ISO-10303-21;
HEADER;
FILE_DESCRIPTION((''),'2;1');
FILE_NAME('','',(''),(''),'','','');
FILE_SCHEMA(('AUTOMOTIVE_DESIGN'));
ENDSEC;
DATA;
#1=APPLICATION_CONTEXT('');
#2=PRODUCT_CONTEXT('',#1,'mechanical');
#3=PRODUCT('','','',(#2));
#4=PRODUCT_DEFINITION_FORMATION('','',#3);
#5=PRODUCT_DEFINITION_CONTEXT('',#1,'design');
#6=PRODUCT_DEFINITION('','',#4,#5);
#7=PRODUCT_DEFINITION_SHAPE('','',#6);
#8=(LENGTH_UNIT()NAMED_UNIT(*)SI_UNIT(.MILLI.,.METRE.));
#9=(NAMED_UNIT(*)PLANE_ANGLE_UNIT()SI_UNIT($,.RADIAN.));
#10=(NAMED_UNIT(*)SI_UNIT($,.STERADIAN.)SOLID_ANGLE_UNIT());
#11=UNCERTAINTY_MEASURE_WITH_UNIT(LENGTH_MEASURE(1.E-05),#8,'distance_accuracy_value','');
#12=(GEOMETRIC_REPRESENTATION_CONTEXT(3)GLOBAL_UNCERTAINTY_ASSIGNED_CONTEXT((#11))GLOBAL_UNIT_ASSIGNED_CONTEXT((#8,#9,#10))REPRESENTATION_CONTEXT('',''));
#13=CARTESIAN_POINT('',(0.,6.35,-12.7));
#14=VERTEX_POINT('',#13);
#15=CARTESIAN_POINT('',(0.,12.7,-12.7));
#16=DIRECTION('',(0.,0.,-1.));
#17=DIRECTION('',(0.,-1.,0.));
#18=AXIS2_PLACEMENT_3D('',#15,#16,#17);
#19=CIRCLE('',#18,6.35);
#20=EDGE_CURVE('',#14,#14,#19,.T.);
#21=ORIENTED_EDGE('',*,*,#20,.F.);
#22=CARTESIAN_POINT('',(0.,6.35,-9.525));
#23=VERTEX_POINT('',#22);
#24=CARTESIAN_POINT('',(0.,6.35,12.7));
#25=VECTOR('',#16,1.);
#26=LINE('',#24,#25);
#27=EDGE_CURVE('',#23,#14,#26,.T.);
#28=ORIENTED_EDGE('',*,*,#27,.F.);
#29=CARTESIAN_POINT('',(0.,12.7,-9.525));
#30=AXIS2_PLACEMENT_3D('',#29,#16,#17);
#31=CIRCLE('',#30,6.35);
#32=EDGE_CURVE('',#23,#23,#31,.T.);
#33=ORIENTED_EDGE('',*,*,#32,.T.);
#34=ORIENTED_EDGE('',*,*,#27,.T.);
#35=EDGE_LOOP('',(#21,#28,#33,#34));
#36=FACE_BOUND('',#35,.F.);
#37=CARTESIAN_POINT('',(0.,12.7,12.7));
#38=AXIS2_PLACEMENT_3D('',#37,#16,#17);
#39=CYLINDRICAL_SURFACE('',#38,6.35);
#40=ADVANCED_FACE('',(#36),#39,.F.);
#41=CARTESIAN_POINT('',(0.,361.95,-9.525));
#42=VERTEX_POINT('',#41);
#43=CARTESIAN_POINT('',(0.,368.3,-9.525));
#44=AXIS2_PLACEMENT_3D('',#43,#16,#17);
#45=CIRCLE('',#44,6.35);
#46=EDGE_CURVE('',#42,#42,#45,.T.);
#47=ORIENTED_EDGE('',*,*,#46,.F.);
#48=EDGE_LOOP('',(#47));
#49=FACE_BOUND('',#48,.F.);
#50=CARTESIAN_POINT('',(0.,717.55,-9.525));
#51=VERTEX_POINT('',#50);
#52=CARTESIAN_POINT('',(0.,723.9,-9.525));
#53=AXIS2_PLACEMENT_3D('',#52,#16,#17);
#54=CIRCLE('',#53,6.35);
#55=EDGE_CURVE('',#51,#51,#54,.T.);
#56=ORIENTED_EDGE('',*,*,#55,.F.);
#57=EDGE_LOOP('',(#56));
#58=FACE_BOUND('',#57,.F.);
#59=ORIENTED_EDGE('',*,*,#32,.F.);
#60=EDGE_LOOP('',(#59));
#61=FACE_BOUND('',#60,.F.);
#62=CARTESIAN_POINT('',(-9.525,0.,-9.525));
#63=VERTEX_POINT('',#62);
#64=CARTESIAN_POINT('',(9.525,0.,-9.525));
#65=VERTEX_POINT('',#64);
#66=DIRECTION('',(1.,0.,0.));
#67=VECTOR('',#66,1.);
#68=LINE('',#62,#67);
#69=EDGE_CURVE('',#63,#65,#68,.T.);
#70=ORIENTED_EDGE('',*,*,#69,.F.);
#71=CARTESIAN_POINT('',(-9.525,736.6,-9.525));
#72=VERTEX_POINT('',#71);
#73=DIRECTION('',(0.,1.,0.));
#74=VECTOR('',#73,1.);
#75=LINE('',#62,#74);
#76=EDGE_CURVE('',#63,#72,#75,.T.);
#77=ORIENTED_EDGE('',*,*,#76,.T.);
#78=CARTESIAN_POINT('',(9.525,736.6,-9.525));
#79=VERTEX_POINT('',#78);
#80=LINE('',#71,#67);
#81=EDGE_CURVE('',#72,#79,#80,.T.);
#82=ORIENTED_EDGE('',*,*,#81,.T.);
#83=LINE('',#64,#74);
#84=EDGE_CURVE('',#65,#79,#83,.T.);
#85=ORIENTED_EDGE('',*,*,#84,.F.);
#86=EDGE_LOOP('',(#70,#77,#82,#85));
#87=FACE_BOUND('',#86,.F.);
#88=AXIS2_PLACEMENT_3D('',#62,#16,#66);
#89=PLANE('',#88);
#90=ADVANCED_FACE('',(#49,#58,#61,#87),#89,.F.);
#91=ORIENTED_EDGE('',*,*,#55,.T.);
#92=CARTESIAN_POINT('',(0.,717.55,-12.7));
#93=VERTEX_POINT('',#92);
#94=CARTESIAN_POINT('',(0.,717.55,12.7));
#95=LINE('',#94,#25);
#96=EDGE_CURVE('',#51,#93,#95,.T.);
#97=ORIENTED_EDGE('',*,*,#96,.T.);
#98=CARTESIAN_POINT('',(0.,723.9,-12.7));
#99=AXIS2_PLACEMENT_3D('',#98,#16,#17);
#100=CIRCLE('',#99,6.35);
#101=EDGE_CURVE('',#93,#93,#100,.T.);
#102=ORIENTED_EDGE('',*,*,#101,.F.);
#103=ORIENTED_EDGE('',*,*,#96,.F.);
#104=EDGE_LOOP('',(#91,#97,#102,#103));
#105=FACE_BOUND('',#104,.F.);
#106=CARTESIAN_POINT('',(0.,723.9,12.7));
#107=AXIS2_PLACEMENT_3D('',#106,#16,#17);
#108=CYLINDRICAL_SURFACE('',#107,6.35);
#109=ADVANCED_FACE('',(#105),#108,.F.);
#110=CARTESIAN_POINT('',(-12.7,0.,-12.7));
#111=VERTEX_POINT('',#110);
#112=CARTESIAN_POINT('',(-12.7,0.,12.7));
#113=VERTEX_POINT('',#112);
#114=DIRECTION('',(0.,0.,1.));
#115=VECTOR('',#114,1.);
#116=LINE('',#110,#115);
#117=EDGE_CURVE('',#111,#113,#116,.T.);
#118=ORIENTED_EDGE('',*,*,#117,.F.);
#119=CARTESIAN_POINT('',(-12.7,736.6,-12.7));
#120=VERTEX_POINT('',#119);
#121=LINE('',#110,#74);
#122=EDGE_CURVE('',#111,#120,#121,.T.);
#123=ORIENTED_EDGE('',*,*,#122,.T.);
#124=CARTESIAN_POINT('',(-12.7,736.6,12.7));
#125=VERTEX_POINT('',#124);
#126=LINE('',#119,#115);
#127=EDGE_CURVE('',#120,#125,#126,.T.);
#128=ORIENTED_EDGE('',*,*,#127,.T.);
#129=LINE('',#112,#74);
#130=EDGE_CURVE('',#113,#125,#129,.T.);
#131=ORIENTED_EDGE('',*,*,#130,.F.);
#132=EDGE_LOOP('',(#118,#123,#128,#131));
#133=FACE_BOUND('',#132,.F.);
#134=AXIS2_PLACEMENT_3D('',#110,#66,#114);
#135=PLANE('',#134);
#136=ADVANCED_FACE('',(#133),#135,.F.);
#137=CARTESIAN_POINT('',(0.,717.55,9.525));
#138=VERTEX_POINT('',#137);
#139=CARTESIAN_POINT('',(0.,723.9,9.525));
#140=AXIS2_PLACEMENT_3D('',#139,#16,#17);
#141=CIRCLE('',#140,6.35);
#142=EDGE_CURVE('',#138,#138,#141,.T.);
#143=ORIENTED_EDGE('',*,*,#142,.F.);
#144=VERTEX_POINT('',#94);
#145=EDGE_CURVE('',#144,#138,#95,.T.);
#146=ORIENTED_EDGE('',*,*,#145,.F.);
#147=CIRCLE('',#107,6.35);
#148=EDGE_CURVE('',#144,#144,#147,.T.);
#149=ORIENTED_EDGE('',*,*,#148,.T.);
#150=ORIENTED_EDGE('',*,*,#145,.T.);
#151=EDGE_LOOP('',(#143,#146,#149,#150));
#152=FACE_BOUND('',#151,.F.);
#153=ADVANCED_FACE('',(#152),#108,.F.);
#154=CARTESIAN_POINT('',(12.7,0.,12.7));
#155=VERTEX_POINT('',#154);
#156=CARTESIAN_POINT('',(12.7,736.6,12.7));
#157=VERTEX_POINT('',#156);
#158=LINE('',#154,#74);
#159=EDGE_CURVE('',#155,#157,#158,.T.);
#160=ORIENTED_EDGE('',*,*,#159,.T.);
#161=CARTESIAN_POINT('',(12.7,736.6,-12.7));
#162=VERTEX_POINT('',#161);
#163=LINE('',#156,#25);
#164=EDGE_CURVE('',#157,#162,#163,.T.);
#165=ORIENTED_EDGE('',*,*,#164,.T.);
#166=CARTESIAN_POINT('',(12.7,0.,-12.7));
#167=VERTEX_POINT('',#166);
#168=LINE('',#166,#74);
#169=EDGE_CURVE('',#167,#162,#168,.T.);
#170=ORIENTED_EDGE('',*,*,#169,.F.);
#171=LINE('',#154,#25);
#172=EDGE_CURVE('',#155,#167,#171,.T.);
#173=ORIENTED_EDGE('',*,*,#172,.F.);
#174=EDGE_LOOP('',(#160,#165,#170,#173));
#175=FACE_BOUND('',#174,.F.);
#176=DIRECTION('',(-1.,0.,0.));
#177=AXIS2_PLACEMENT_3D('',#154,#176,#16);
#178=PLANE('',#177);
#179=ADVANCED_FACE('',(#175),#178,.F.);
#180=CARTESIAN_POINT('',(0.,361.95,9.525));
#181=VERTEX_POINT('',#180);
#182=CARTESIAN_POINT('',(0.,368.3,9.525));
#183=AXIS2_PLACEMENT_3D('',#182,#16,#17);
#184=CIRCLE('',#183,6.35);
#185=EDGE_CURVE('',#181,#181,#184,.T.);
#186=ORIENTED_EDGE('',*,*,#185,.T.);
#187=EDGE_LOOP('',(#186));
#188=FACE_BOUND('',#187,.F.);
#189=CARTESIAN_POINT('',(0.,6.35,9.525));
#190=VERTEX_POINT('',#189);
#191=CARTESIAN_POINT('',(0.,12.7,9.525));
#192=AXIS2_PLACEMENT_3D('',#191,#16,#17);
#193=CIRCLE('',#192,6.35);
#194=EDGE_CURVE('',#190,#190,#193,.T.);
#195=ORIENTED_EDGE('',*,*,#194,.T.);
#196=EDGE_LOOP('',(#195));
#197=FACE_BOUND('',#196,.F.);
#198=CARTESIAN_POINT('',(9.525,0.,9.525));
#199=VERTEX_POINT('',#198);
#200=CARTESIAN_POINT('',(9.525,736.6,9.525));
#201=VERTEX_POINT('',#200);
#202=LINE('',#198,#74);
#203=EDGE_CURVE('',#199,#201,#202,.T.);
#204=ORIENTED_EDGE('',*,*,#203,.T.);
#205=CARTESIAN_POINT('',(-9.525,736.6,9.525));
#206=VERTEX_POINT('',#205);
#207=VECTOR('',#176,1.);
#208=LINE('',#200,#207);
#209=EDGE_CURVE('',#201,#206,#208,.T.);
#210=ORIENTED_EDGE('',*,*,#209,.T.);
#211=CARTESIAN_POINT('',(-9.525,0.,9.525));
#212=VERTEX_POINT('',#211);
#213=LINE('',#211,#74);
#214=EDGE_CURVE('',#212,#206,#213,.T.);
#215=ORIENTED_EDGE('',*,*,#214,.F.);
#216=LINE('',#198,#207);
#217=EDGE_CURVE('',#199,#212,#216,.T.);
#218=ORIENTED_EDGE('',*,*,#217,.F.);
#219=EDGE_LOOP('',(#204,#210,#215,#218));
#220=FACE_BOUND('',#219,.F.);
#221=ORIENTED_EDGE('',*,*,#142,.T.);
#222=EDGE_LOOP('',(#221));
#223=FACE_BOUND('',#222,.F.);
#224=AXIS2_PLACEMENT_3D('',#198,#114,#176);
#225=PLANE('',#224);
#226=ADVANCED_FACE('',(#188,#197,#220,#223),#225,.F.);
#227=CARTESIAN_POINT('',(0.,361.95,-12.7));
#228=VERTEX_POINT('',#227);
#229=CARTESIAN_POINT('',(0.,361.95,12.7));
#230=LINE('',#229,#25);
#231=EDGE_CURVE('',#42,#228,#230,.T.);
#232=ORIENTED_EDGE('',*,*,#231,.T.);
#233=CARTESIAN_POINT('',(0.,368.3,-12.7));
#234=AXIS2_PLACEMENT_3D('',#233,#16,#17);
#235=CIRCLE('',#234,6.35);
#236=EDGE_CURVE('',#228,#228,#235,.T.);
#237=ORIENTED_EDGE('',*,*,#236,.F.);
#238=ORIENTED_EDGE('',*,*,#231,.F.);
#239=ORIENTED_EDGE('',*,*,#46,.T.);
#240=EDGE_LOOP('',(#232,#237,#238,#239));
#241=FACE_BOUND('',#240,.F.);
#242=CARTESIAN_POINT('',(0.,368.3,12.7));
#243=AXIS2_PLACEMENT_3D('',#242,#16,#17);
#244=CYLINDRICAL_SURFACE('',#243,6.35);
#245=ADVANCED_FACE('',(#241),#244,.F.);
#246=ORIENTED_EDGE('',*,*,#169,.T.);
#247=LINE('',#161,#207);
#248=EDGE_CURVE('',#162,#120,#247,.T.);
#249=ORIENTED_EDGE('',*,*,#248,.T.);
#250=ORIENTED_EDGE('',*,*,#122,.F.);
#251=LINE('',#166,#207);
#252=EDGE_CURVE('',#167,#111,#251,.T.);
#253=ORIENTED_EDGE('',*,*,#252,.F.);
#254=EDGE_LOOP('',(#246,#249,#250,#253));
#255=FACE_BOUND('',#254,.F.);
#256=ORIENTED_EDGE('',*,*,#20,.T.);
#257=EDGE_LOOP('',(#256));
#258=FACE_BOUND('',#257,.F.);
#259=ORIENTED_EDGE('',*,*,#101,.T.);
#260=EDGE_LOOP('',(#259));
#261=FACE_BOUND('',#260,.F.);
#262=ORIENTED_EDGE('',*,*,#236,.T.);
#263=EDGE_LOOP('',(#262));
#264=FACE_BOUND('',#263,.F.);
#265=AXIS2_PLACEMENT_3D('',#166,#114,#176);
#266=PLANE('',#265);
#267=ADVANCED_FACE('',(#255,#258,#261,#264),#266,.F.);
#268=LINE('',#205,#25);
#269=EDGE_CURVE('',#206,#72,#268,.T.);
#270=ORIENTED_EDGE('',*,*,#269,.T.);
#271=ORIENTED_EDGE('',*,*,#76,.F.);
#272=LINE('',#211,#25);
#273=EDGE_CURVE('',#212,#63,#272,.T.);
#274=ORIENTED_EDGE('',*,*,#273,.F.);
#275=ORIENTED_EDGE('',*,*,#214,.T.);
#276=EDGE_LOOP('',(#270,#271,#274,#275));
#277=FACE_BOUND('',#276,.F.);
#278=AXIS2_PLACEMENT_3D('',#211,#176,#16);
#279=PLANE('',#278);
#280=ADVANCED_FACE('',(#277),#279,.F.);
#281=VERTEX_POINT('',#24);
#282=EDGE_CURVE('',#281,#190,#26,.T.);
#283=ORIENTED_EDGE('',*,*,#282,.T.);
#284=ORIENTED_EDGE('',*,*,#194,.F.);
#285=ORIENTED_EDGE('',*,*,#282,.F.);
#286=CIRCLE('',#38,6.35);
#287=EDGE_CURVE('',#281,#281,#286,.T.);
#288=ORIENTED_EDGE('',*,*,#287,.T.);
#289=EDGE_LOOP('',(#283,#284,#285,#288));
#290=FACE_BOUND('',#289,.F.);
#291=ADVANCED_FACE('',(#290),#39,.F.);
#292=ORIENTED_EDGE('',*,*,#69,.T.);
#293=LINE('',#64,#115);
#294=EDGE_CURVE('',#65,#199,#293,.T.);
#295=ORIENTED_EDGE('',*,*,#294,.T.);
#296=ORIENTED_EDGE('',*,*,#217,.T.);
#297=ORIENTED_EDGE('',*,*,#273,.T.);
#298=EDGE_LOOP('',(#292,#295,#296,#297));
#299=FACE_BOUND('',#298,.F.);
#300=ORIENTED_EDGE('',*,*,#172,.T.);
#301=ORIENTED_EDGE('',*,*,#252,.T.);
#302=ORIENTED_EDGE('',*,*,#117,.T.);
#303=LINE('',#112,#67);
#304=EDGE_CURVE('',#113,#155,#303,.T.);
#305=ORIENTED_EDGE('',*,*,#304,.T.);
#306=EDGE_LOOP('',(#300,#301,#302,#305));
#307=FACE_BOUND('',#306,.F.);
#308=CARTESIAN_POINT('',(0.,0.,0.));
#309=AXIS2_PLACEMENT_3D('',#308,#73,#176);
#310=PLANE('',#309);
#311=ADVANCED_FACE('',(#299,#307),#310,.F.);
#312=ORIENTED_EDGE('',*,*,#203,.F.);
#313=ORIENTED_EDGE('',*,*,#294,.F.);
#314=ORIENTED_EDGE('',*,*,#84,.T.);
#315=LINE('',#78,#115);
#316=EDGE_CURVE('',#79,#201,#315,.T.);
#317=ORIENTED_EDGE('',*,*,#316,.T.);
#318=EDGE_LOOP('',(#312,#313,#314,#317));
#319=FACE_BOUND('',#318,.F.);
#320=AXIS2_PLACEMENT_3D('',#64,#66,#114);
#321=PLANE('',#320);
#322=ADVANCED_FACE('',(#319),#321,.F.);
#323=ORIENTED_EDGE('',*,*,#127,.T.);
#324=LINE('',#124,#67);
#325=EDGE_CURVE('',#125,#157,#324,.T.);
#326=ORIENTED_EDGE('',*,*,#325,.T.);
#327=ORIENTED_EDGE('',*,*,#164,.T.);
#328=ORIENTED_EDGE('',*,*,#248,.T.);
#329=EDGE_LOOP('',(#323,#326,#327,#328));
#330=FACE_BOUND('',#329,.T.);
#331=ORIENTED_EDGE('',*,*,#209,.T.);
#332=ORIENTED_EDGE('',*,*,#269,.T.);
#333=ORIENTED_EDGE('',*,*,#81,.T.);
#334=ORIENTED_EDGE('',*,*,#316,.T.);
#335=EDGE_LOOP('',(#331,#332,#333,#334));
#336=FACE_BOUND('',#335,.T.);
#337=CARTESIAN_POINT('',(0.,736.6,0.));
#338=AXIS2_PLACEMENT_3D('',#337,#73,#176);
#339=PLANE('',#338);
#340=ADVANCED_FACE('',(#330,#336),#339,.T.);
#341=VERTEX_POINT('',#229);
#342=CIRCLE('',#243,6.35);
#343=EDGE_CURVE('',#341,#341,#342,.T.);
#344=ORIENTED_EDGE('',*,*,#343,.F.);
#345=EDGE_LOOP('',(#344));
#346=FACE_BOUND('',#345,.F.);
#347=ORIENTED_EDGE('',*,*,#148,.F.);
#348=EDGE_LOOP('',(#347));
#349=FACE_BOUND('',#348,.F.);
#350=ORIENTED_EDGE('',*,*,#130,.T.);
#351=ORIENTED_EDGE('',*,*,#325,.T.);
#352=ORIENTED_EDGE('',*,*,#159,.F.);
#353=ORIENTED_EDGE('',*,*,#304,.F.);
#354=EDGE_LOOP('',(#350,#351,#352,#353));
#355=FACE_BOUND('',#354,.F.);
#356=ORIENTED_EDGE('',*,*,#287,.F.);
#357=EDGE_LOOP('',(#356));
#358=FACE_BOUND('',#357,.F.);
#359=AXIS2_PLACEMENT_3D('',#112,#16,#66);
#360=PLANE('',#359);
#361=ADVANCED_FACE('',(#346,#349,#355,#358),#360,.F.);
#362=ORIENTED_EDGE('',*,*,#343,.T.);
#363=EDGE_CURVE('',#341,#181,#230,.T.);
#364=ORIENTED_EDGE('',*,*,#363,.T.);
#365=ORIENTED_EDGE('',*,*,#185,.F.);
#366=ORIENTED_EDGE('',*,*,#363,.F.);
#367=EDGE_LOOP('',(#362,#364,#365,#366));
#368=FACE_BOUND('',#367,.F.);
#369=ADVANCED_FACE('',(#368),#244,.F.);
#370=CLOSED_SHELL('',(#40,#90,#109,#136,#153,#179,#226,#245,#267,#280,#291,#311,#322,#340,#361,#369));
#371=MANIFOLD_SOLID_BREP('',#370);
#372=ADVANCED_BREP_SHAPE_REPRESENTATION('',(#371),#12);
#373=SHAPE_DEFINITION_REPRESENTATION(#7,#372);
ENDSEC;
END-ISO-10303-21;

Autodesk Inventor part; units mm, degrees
ref_plane "YZ Plane" through (0, 0, 0) normal (1, 0, 0) x (0, 1, 0)
ref_plane "XZ Plane" through (0, 0, 0) normal (0, 1, 0) x (-1, 0, 0)
ref_plane "XY Plane" through (0, 0, 0) normal (0, 0, 1) x (1, 0, 0)
sketch "Sketch1" plane through (0, 0, 0) normal (0, 1, 0) x (-1, 0, 0)
  line L0 (12.7, 12.7) -> (-12.7, 12.7)
  line L1 (-12.7, 12.7) -> (-12.7, -12.7)
  line L2 (-12.7, -12.7) -> (12.7, -12.7)
  line L3 (12.7, -12.7) -> (12.7, 12.7)
  line L4 (-9.525, 9.525) -> (9.525, 9.525)
  line L5 (9.525, 9.525) -> (9.525, -9.525)
  line L6 (9.525, -9.525) -> (-9.525, -9.525)
  line L7 (-9.525, -9.525) -> (-9.525, 9.525)
  point P0 (0, 0)
  point P1 (12.7, 0)
  point P2 (0, -12.7)
  dimension "d0" = 25.4
  dimension "d1" = 25.4
  dimension "d2" = 3.175
extrude "Extrusion1" add sketch "Sketch1" along normal blind 736.6
sketch "Sketch2" plane through (-12.7, 0, 12.7) normal (0, 0, 1) x (1, 0, 0)
  line L0 (0, 736.6) -> (25.4, 736.6) projected
  line L1 (0, 0) -> (25.4, 0) projected
  point P0 (12.7, 0)
  point P1 (12.7, 12.7)
  point P2 (12.7, 723.9)
  point P3 (12.7, 368.3)
  dimension "d5" = 12.7
  dimension "d6" = 12.7
  dimension "d7" = 368.3
hole "Hole1" at (0, 12.7, 12.7) at (0, 723.9, 12.7) at (0, 368.3, 12.7) direction (0, 0, -1) diameter 12.7 end through all
sketch "Sketch3" plane through (-12.7, 0, 12.7) normal (0, 0, 1) x (1, 0, 0)
  line L0 (21.6869, 114.0639) -> (21.6869, 96.9638) construction
  line L1 (21.6869, 96.9638) -> (5.8083, 96.9638) construction
  line L2 (5.8083, 96.9638) -> (5.8083, 114.0639) construction
  line L3 (5.8083, 114.0639) -> (21.6869, 114.0639) construction
  point P0 (12.7, 0)
equation "\"d0\" = Tube_size"
equation "\"d1\" = Tube_size"
equation "\"d2\" = Wall_Thickness"
equation "\"d3\" = Bar1_1_Length"
equation "\"d5\" = Uper_Pivit_Offset_FromEdge"
equation "\"d6\" = Lower_Pivit_Offset_FromEdge"
equation "\"d7\" = Bar1_1_Center_Pivit_Offset_FromEdge"
equation "\"d8\" = Pin_Size"
equation "\"Bar1_1_Length\" = 736.6"
equation "\"Tube_size_1\" = 25.4"
equation "\"Wall_Thickness_1\" = 3.175"
equation "\"Lower_Pivit_Offset_FromEdge\" = 12.7"
equation "\"Uper_Pivit_Offset_FromEdge\" = 12.7"
equation "\"Bar1_1_Center_Pivit_Offset_FromEdge\" = 368.3"
equation "\"Bar1_2_Length\" = 736.6"
equation "\"Bar2_1_Length\" = 736.6"
equation "\"Bar2_2_Length\" = 736.6"
equation "\"Bar3_1_Length\" = 736.6"
equation "\"Bar3_2_Length\" = 736.6"
equation "\"Tube_size\" = 25.4"
equation "\"Wall_Thickness\" = 3.175"
equation "\"Bar1_2_Center_Pivit_Offset_FromEdge\" = 368.3"
equation "\"Bar2_1_Center_Pivit_Offset_FromEdge\" = 368.3"
equation "\"Bar2_2_Center_Pivit_Offset_FromEdge\" = 368.3"
equation "\"Bar3_1_Center_Pivit_Offset_FromEdge\" = 368.3"
equation "\"Bar4_2_Center_Pivit_Offset_FromEdge\" = 355.6"
equation "\"Pin_Size\" = 12.7"
equation "\"Bar3_2_Center_Pivit_Offset_FromEdge\" = 368.3"
properties part number "2018 Bar1_1"
